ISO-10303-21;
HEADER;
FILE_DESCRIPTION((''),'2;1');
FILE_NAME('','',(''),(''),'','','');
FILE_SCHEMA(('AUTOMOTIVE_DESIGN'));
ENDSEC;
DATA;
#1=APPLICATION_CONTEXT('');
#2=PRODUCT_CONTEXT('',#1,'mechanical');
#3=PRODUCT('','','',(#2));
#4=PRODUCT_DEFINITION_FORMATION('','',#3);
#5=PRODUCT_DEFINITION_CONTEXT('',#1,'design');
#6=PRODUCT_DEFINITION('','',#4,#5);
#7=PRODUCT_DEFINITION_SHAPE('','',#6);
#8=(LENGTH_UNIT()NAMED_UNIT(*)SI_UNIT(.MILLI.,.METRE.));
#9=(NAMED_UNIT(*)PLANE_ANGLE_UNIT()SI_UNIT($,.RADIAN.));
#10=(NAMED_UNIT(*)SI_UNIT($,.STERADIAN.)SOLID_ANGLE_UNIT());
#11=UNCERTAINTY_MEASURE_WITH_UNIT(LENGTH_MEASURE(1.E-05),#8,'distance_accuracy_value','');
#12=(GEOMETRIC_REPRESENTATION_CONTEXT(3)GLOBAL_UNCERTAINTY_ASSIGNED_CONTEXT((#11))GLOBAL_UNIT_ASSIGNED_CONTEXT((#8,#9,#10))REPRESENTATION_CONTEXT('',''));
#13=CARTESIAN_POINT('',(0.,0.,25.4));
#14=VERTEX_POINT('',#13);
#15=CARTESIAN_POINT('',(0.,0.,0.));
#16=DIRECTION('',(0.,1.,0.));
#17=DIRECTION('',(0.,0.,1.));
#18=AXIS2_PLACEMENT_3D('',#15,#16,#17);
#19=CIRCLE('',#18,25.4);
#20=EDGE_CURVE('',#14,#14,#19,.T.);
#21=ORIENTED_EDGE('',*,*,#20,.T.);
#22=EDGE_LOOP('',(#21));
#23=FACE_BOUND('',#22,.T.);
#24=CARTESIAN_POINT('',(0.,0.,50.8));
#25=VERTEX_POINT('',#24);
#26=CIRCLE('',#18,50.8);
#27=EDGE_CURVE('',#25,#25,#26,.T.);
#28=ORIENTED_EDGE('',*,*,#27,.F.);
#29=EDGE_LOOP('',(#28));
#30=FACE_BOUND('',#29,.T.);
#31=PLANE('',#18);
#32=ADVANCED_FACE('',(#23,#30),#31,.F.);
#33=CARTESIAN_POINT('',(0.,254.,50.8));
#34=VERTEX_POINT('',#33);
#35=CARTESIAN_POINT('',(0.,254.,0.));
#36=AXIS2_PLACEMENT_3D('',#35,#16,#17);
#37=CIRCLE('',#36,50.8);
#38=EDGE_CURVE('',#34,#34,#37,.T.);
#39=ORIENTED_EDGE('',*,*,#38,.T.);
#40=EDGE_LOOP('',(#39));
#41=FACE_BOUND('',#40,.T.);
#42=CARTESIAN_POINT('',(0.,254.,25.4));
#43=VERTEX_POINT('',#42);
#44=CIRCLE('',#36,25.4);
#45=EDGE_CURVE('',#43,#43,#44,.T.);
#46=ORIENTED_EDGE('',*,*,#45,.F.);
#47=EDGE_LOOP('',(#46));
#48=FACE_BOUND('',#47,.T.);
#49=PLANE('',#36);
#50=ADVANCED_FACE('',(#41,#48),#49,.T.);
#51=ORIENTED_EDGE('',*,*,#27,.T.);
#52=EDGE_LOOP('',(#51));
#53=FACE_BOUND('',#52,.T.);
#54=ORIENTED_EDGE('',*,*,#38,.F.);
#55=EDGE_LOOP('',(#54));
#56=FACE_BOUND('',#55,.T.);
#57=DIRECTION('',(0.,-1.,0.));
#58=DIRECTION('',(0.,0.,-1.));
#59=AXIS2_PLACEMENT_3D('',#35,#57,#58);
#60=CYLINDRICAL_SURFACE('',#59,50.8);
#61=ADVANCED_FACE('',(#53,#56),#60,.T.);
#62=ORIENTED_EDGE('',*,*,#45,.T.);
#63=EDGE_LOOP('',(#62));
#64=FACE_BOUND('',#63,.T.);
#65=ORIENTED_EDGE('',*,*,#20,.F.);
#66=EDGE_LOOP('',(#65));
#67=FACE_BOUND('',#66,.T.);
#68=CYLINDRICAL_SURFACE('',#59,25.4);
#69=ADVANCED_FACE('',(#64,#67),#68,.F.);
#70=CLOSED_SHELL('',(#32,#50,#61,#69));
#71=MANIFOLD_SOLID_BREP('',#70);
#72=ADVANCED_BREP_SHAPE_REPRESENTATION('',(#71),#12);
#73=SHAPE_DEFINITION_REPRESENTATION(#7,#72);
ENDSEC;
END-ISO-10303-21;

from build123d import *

# Parameters (mm, degrees)
SKETCH1_R           = 50.8
SKETCH1_R_2         = 25.4
BOSS_EXTRUDE1_DEPTH = 254


with BuildPart() as part:
    # Sketch1 → Boss-Extrude1 (new body)
    with BuildSketch(Plane(origin=(0, 0, 0), x_dir=(1, 0, 0), z_dir=(0, 1, 0))):
        with Locations(Location((0, 0, 0), (0, 0, 270))):
            Circle(SKETCH1_R)
        with Locations(Location((0, 0, 0), (0, 0, 270))):
            Circle(SKETCH1_R_2, mode=Mode.SUBTRACT)
    extrude(amount=BOSS_EXTRUDE1_DEPTH)


solid = part.part
